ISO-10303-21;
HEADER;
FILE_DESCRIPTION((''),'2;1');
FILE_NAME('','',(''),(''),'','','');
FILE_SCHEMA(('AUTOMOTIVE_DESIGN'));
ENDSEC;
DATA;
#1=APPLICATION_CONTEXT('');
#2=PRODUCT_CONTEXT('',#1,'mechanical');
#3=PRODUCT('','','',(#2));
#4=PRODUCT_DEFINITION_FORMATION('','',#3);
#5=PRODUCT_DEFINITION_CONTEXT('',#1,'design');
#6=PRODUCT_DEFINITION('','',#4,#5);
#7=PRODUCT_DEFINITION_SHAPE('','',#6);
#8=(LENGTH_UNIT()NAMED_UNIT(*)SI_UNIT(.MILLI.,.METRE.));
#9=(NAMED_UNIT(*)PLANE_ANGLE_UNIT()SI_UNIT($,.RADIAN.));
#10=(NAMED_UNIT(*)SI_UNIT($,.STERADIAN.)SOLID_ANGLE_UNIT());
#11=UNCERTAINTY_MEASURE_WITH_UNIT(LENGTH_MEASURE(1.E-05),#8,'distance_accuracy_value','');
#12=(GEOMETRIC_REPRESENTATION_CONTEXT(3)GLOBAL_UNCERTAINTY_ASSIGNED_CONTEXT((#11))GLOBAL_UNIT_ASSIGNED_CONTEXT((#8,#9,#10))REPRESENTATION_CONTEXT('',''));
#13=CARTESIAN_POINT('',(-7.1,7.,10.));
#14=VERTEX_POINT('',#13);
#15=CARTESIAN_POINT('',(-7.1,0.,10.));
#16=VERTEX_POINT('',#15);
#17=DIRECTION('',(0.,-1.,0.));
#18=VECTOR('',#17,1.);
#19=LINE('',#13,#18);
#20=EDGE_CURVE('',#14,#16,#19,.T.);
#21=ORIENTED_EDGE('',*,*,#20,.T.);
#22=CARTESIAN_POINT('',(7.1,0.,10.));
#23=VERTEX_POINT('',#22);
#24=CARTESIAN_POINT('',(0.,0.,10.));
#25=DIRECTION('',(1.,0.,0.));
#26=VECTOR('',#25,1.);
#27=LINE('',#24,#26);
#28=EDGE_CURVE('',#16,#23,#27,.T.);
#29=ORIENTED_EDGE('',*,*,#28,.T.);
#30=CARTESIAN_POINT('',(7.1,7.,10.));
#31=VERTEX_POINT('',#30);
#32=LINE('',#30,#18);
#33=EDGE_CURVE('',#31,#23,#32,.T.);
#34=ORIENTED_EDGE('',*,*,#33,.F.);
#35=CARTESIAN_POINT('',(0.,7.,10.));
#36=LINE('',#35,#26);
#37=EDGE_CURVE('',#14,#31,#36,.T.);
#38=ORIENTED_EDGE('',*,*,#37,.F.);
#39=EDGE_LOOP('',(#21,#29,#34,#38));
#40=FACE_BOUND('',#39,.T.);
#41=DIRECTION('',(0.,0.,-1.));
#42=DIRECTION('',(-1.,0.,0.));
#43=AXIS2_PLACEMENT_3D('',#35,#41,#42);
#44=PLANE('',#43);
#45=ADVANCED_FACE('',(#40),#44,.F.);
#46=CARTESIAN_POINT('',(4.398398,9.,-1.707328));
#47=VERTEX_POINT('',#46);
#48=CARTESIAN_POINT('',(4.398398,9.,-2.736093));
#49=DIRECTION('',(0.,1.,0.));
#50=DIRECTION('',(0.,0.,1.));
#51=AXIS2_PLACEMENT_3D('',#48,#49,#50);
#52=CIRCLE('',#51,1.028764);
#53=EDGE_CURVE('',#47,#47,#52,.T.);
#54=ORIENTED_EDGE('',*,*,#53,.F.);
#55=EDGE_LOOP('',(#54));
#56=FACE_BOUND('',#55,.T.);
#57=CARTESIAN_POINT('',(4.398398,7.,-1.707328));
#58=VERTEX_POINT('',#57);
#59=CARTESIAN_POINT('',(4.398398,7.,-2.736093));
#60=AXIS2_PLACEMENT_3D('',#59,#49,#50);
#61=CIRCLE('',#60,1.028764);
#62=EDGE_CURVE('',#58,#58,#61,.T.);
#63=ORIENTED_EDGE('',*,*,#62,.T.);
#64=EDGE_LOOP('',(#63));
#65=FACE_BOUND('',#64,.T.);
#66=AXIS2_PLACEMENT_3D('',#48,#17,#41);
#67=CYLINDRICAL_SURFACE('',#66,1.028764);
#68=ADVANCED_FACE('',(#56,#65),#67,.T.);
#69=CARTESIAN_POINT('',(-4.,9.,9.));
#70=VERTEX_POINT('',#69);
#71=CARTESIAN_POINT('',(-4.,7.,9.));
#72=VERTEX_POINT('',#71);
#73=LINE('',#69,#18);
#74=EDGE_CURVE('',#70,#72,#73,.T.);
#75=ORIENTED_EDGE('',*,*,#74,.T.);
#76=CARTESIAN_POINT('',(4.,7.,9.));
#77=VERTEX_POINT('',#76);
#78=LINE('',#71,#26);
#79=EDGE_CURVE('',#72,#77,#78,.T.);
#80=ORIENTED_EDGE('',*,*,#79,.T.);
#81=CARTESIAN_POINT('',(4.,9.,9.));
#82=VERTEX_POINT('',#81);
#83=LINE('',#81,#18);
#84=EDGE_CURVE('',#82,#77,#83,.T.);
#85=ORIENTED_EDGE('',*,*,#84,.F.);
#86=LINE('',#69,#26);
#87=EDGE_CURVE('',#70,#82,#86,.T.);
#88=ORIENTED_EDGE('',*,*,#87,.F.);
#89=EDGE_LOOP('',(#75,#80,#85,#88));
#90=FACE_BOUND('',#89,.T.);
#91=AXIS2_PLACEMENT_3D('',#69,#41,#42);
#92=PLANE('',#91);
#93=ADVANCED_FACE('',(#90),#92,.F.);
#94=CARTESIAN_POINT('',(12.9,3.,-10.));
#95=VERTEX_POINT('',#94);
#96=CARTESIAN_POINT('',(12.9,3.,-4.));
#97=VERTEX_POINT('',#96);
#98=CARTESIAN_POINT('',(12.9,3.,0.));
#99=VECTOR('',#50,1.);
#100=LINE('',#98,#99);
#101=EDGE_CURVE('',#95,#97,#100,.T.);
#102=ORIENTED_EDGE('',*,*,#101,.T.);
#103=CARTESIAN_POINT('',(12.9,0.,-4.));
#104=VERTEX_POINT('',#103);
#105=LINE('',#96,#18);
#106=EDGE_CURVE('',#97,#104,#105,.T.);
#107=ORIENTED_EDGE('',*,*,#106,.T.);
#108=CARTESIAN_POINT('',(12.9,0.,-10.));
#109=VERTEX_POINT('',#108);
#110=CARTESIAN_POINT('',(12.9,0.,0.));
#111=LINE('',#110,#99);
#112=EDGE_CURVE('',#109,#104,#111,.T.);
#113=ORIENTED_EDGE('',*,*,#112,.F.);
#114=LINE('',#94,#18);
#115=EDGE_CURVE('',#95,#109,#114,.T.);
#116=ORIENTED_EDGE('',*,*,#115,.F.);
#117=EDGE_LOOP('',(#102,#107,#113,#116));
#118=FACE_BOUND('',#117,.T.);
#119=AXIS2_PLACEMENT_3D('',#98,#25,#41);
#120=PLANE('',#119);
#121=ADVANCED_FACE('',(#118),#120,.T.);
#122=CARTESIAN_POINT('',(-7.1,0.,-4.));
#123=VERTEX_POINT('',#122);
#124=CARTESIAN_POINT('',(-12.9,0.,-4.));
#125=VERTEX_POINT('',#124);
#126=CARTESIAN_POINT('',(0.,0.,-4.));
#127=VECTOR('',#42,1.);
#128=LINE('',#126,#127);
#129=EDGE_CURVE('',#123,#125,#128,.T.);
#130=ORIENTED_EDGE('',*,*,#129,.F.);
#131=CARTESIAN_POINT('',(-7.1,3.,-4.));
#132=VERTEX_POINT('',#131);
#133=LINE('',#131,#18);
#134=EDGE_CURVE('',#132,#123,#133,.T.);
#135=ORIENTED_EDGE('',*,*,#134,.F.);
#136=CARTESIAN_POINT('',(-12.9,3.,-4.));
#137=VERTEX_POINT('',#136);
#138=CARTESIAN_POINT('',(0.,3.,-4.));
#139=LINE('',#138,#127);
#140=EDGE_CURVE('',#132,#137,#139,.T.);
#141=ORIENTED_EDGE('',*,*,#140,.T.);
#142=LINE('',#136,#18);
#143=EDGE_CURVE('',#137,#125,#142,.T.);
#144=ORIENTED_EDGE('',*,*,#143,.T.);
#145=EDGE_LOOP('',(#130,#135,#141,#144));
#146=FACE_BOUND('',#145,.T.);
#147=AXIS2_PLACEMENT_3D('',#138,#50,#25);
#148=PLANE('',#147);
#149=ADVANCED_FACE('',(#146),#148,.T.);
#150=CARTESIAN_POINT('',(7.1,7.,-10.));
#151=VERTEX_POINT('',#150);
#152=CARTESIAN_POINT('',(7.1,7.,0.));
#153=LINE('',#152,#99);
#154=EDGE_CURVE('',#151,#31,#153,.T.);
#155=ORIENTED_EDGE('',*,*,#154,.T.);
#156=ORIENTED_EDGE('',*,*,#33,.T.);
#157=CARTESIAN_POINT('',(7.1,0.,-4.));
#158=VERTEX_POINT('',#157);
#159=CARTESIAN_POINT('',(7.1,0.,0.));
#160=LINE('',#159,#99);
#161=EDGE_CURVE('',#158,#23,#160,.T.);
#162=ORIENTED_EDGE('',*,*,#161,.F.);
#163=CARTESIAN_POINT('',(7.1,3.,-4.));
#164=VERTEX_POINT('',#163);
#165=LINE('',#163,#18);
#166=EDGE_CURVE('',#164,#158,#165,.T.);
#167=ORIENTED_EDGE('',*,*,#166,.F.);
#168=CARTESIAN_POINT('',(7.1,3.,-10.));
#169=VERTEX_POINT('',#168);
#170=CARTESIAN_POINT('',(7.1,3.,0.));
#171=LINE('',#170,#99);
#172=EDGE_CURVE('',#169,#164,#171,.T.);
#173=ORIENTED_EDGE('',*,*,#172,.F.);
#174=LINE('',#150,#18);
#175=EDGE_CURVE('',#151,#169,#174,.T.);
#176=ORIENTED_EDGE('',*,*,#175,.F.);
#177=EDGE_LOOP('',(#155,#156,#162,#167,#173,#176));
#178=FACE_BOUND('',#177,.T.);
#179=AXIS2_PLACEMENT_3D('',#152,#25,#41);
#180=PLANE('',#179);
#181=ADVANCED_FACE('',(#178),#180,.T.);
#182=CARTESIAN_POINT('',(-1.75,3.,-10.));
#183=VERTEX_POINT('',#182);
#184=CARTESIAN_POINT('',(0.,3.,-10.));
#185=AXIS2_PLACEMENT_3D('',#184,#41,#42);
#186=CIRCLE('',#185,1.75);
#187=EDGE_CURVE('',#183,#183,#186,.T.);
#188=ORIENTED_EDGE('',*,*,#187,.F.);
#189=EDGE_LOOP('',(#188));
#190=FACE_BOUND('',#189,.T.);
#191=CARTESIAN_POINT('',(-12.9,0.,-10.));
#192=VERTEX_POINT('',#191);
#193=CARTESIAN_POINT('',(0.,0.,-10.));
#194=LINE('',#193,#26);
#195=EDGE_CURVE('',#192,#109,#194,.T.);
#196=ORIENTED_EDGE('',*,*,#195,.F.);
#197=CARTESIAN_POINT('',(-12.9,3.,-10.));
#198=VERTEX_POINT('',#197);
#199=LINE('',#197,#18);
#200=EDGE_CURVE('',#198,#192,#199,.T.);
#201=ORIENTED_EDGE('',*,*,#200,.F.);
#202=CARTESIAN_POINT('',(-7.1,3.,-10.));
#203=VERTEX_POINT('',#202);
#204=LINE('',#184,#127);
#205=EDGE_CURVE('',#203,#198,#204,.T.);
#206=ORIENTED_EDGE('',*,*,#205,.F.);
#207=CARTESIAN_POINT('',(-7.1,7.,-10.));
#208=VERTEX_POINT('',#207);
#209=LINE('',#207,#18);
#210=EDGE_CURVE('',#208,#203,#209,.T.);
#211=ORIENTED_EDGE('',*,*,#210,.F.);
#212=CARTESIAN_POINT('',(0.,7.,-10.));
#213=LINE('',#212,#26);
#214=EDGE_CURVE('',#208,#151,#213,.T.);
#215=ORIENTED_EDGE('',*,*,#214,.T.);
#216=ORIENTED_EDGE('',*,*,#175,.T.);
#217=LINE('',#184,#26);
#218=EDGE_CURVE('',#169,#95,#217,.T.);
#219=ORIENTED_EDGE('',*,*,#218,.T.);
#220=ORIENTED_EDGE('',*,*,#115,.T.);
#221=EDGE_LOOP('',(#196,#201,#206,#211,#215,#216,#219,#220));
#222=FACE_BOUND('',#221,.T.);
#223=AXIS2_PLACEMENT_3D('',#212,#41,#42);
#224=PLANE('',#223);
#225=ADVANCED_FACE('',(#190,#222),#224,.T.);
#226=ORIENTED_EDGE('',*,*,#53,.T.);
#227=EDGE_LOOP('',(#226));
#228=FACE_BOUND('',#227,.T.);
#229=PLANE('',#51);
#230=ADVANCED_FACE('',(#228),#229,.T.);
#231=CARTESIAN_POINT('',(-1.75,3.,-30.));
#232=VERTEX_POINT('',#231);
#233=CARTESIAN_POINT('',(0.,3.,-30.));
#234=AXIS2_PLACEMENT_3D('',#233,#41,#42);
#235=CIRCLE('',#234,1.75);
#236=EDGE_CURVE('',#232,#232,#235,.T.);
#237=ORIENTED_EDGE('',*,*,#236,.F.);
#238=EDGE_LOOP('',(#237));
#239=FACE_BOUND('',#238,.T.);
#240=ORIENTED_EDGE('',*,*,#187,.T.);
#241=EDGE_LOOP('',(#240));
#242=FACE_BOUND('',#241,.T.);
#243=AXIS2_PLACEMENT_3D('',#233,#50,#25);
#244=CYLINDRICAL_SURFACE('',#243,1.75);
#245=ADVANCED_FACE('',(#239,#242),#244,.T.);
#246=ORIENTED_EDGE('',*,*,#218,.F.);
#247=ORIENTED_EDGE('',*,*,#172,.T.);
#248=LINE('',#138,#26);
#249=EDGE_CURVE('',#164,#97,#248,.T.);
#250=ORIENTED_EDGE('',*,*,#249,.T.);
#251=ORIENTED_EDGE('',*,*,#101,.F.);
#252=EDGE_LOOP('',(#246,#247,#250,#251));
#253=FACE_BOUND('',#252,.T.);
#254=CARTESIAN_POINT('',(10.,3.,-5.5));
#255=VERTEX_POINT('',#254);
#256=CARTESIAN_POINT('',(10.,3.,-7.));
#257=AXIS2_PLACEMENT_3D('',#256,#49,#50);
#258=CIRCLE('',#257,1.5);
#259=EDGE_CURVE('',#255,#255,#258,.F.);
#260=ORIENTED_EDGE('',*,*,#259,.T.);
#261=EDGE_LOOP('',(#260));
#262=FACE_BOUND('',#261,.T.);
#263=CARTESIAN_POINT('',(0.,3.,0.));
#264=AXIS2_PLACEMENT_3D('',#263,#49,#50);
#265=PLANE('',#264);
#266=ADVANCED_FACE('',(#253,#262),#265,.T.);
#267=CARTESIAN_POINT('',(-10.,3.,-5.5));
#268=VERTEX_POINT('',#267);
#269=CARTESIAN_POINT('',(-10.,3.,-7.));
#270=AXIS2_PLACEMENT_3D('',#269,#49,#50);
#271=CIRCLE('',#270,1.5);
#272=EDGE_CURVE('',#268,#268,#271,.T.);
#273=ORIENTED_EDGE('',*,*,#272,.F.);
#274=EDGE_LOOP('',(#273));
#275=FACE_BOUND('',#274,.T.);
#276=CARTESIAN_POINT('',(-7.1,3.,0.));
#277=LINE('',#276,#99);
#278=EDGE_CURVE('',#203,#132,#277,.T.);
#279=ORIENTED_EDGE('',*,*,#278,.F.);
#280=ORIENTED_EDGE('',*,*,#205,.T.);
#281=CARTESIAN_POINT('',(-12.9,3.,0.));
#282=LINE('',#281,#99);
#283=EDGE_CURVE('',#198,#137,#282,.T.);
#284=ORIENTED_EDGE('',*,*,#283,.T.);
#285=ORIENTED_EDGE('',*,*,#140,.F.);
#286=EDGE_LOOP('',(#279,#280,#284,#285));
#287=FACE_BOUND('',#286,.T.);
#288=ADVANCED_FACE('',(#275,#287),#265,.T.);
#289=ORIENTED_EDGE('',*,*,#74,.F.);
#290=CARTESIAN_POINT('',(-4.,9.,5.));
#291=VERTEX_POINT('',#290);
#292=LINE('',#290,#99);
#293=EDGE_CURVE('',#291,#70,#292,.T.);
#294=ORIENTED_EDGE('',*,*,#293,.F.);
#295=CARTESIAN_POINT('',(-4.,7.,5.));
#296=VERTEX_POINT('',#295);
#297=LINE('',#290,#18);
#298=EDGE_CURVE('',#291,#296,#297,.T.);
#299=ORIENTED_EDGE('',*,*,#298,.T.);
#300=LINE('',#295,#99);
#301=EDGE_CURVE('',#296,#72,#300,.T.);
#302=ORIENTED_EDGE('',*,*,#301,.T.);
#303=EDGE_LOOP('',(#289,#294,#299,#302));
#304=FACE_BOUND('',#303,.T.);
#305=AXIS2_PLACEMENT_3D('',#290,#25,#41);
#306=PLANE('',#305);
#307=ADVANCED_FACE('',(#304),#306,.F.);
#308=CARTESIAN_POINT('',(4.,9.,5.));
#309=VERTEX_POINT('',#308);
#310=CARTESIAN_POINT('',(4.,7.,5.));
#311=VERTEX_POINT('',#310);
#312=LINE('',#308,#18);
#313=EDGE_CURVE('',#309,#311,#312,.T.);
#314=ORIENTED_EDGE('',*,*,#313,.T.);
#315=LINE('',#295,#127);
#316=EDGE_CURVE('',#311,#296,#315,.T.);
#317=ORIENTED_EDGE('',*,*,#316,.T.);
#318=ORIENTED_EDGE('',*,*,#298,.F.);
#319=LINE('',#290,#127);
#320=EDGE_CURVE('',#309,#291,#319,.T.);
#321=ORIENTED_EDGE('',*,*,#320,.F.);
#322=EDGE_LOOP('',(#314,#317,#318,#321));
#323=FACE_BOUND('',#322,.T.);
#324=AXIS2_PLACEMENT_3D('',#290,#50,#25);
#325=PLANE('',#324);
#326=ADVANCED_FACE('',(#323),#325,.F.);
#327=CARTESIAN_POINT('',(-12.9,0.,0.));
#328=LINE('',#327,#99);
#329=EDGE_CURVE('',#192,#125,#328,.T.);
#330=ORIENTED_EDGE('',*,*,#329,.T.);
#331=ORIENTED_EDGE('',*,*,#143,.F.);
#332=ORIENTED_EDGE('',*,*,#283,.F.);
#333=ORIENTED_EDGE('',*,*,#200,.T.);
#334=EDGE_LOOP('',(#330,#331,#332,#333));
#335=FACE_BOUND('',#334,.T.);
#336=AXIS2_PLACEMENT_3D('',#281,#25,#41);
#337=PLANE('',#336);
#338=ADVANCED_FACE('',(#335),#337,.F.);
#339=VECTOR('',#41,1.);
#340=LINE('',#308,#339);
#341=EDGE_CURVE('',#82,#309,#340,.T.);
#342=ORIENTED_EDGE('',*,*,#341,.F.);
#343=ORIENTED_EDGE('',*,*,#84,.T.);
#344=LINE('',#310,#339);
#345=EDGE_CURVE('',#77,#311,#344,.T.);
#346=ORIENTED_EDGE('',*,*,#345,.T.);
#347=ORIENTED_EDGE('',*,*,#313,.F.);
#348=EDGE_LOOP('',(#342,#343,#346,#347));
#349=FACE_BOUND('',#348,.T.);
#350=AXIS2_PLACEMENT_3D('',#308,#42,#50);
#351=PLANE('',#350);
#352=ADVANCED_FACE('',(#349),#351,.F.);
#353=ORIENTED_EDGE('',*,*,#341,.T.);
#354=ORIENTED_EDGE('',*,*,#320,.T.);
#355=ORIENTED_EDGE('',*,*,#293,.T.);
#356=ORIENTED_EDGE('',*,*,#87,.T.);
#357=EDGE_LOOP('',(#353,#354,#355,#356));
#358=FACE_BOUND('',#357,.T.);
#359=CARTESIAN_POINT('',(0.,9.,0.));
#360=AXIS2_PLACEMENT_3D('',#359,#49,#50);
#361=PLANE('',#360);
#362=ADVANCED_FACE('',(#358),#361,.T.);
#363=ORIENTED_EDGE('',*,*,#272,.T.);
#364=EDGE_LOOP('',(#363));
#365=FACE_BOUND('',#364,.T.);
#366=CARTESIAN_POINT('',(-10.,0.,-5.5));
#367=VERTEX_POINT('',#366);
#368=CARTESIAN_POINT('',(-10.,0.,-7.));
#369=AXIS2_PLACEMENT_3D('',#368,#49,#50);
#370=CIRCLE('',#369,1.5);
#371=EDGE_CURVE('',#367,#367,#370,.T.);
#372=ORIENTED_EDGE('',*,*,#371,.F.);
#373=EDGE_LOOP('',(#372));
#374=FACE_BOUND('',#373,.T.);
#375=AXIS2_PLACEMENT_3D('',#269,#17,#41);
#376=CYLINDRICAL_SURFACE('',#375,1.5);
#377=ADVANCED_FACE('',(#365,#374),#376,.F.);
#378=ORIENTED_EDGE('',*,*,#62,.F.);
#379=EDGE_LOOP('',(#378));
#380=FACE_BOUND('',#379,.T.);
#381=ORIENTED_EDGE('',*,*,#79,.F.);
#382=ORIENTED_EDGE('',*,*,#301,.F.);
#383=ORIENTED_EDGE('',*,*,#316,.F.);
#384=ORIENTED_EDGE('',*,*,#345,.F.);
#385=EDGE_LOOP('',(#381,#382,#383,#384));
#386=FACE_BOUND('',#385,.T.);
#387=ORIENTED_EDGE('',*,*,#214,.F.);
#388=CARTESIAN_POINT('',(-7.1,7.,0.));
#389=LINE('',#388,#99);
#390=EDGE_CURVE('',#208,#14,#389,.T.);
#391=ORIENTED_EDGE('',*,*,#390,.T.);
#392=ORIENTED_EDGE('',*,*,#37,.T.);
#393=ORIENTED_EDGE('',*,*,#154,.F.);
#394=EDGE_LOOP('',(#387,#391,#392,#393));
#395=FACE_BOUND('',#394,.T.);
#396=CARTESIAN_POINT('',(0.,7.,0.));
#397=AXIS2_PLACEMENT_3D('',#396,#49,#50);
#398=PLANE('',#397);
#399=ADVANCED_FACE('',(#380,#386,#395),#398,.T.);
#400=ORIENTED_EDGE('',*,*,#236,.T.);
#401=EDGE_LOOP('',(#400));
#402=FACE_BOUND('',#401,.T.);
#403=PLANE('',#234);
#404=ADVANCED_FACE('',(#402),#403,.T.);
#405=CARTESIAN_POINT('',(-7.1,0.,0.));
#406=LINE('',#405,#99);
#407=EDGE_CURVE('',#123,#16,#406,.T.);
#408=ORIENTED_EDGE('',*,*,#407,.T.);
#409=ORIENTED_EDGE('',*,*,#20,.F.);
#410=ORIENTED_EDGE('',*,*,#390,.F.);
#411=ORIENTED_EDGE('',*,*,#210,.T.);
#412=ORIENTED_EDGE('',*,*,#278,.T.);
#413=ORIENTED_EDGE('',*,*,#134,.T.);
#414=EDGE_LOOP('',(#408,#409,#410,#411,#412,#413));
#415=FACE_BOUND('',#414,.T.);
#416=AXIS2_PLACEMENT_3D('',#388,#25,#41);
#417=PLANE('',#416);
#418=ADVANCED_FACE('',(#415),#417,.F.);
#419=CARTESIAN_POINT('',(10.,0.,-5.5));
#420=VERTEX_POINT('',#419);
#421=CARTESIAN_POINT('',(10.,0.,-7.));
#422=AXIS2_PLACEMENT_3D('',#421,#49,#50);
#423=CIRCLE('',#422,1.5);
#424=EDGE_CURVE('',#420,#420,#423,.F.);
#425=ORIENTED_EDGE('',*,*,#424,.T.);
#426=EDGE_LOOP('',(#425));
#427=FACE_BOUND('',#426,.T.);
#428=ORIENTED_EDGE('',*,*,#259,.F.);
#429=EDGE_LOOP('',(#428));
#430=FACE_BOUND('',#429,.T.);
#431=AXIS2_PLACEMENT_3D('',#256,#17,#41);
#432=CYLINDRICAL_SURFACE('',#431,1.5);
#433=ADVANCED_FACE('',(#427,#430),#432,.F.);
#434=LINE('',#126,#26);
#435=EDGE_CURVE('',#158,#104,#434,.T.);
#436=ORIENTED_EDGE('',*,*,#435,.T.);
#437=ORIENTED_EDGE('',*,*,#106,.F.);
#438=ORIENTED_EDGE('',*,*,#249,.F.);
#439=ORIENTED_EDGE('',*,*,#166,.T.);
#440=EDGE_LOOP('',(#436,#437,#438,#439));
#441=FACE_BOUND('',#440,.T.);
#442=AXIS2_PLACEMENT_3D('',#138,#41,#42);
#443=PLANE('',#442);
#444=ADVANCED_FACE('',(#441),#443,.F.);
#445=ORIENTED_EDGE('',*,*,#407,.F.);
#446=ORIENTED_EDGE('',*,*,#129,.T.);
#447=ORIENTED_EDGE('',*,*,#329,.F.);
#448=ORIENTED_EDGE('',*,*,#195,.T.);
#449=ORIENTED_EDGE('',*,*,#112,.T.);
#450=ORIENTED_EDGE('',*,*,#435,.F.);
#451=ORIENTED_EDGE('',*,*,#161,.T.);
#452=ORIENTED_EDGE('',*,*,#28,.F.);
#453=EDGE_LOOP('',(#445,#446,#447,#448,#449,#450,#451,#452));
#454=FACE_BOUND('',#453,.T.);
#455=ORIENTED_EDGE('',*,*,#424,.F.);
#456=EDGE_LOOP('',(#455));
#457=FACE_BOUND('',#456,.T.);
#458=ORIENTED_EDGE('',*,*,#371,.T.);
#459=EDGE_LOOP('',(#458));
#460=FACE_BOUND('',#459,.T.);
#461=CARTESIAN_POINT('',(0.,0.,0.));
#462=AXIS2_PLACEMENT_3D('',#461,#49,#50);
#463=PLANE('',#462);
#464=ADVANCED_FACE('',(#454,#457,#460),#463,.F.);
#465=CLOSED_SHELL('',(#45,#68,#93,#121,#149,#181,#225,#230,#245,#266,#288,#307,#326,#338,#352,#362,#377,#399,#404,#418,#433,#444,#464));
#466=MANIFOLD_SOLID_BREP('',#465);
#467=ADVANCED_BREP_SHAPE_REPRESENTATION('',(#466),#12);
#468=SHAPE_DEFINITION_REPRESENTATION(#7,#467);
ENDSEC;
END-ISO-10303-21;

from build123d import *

# Parameters (mm, degrees)
EXTRUDE_1_DEPTH = 7
SKETCH_1_3_W    = 5.8
SKETCH_1_3_H    = 6
SKETCH_1_3_R    = 1.5
EXTRUDE_2_DEPTH = 3
SKETCH_2_W      = 8
SKETCH_2_H      = 4
EXTRUDE_3_DEPTH = 2
SKETCH_3_R      = 1.028764089
EXTRUDE_4_DEPTH = 2
SKETCH_4_R      = 1.75
EXTRUDE_5_DEPTH = 20


with BuildPart() as part:
    # 草图1 → 凸台-拉伸1 (new body)
    with BuildSketch(Plane(origin=(0, 0, 0), x_dir=(1, 0, 0), z_dir=(0, 1, 0))):
        Polygon((7.1, 10), (-7.1, 10), (-7.1, 4), (-7.1, -10), (7.1, -10), (7.1, 4), align=None)
    extrude(amount=EXTRUDE_1_DEPTH)

    # 草图1<3> → 凸台-拉伸2 (add)
    # profile 1 of 2: a face of its own
    with BuildSketch(Plane(origin=(0, 0, 0), x_dir=(1, 0, 0), z_dir=(0, 1, 0))):
        with Locations((-10, 7)):
            Rectangle(SKETCH_1_3_W, SKETCH_1_3_H)
        with Locations((-10, 7)):
            Circle(SKETCH_1_3_R, mode=Mode.SUBTRACT)
    # profile 2 of 2: a face of its own
    with BuildSketch(Plane(origin=(0, 0, 0), x_dir=(1, 0, 0), z_dir=(0, 1, 0))):
        with Locations((10, 7)):
            Rectangle(SKETCH_1_3_W, SKETCH_1_3_H)
        with Locations((10, 7)):
            Circle(SKETCH_1_3_R, mode=Mode.SUBTRACT)
    extrude(amount=EXTRUDE_2_DEPTH)

    # 草图2 → 凸台-拉伸3 (add)
    with BuildSketch(Plane(origin=(0, 7, 0), x_dir=(1, 0, 0), z_dir=(0, 1, 0))):
        with Locations((0, -7)):
            Rectangle(SKETCH_2_W, SKETCH_2_H)
    extrude(amount=EXTRUDE_3_DEPTH)

    # 草图3 → 凸台-拉伸4 (add)
    with BuildSketch(Plane(origin=(0, 7, 0), x_dir=(1, 0, 0), z_dir=(0, 1, 0))):
        with Locations((4.398397856, 2.736092563)):
            Circle(SKETCH_3_R)
    extrude(amount=EXTRUDE_4_DEPTH)

    # 草图4 → 凸台-拉伸5 (add)
    with BuildSketch(Plane(origin=(0, 0, -10), x_dir=(-1, 0, 0), z_dir=(0, 0, -1))):
        with Locations((0, 3)):
            Circle(SKETCH_4_R)
    extrude(amount=EXTRUDE_5_DEPTH)


solid = part.part
